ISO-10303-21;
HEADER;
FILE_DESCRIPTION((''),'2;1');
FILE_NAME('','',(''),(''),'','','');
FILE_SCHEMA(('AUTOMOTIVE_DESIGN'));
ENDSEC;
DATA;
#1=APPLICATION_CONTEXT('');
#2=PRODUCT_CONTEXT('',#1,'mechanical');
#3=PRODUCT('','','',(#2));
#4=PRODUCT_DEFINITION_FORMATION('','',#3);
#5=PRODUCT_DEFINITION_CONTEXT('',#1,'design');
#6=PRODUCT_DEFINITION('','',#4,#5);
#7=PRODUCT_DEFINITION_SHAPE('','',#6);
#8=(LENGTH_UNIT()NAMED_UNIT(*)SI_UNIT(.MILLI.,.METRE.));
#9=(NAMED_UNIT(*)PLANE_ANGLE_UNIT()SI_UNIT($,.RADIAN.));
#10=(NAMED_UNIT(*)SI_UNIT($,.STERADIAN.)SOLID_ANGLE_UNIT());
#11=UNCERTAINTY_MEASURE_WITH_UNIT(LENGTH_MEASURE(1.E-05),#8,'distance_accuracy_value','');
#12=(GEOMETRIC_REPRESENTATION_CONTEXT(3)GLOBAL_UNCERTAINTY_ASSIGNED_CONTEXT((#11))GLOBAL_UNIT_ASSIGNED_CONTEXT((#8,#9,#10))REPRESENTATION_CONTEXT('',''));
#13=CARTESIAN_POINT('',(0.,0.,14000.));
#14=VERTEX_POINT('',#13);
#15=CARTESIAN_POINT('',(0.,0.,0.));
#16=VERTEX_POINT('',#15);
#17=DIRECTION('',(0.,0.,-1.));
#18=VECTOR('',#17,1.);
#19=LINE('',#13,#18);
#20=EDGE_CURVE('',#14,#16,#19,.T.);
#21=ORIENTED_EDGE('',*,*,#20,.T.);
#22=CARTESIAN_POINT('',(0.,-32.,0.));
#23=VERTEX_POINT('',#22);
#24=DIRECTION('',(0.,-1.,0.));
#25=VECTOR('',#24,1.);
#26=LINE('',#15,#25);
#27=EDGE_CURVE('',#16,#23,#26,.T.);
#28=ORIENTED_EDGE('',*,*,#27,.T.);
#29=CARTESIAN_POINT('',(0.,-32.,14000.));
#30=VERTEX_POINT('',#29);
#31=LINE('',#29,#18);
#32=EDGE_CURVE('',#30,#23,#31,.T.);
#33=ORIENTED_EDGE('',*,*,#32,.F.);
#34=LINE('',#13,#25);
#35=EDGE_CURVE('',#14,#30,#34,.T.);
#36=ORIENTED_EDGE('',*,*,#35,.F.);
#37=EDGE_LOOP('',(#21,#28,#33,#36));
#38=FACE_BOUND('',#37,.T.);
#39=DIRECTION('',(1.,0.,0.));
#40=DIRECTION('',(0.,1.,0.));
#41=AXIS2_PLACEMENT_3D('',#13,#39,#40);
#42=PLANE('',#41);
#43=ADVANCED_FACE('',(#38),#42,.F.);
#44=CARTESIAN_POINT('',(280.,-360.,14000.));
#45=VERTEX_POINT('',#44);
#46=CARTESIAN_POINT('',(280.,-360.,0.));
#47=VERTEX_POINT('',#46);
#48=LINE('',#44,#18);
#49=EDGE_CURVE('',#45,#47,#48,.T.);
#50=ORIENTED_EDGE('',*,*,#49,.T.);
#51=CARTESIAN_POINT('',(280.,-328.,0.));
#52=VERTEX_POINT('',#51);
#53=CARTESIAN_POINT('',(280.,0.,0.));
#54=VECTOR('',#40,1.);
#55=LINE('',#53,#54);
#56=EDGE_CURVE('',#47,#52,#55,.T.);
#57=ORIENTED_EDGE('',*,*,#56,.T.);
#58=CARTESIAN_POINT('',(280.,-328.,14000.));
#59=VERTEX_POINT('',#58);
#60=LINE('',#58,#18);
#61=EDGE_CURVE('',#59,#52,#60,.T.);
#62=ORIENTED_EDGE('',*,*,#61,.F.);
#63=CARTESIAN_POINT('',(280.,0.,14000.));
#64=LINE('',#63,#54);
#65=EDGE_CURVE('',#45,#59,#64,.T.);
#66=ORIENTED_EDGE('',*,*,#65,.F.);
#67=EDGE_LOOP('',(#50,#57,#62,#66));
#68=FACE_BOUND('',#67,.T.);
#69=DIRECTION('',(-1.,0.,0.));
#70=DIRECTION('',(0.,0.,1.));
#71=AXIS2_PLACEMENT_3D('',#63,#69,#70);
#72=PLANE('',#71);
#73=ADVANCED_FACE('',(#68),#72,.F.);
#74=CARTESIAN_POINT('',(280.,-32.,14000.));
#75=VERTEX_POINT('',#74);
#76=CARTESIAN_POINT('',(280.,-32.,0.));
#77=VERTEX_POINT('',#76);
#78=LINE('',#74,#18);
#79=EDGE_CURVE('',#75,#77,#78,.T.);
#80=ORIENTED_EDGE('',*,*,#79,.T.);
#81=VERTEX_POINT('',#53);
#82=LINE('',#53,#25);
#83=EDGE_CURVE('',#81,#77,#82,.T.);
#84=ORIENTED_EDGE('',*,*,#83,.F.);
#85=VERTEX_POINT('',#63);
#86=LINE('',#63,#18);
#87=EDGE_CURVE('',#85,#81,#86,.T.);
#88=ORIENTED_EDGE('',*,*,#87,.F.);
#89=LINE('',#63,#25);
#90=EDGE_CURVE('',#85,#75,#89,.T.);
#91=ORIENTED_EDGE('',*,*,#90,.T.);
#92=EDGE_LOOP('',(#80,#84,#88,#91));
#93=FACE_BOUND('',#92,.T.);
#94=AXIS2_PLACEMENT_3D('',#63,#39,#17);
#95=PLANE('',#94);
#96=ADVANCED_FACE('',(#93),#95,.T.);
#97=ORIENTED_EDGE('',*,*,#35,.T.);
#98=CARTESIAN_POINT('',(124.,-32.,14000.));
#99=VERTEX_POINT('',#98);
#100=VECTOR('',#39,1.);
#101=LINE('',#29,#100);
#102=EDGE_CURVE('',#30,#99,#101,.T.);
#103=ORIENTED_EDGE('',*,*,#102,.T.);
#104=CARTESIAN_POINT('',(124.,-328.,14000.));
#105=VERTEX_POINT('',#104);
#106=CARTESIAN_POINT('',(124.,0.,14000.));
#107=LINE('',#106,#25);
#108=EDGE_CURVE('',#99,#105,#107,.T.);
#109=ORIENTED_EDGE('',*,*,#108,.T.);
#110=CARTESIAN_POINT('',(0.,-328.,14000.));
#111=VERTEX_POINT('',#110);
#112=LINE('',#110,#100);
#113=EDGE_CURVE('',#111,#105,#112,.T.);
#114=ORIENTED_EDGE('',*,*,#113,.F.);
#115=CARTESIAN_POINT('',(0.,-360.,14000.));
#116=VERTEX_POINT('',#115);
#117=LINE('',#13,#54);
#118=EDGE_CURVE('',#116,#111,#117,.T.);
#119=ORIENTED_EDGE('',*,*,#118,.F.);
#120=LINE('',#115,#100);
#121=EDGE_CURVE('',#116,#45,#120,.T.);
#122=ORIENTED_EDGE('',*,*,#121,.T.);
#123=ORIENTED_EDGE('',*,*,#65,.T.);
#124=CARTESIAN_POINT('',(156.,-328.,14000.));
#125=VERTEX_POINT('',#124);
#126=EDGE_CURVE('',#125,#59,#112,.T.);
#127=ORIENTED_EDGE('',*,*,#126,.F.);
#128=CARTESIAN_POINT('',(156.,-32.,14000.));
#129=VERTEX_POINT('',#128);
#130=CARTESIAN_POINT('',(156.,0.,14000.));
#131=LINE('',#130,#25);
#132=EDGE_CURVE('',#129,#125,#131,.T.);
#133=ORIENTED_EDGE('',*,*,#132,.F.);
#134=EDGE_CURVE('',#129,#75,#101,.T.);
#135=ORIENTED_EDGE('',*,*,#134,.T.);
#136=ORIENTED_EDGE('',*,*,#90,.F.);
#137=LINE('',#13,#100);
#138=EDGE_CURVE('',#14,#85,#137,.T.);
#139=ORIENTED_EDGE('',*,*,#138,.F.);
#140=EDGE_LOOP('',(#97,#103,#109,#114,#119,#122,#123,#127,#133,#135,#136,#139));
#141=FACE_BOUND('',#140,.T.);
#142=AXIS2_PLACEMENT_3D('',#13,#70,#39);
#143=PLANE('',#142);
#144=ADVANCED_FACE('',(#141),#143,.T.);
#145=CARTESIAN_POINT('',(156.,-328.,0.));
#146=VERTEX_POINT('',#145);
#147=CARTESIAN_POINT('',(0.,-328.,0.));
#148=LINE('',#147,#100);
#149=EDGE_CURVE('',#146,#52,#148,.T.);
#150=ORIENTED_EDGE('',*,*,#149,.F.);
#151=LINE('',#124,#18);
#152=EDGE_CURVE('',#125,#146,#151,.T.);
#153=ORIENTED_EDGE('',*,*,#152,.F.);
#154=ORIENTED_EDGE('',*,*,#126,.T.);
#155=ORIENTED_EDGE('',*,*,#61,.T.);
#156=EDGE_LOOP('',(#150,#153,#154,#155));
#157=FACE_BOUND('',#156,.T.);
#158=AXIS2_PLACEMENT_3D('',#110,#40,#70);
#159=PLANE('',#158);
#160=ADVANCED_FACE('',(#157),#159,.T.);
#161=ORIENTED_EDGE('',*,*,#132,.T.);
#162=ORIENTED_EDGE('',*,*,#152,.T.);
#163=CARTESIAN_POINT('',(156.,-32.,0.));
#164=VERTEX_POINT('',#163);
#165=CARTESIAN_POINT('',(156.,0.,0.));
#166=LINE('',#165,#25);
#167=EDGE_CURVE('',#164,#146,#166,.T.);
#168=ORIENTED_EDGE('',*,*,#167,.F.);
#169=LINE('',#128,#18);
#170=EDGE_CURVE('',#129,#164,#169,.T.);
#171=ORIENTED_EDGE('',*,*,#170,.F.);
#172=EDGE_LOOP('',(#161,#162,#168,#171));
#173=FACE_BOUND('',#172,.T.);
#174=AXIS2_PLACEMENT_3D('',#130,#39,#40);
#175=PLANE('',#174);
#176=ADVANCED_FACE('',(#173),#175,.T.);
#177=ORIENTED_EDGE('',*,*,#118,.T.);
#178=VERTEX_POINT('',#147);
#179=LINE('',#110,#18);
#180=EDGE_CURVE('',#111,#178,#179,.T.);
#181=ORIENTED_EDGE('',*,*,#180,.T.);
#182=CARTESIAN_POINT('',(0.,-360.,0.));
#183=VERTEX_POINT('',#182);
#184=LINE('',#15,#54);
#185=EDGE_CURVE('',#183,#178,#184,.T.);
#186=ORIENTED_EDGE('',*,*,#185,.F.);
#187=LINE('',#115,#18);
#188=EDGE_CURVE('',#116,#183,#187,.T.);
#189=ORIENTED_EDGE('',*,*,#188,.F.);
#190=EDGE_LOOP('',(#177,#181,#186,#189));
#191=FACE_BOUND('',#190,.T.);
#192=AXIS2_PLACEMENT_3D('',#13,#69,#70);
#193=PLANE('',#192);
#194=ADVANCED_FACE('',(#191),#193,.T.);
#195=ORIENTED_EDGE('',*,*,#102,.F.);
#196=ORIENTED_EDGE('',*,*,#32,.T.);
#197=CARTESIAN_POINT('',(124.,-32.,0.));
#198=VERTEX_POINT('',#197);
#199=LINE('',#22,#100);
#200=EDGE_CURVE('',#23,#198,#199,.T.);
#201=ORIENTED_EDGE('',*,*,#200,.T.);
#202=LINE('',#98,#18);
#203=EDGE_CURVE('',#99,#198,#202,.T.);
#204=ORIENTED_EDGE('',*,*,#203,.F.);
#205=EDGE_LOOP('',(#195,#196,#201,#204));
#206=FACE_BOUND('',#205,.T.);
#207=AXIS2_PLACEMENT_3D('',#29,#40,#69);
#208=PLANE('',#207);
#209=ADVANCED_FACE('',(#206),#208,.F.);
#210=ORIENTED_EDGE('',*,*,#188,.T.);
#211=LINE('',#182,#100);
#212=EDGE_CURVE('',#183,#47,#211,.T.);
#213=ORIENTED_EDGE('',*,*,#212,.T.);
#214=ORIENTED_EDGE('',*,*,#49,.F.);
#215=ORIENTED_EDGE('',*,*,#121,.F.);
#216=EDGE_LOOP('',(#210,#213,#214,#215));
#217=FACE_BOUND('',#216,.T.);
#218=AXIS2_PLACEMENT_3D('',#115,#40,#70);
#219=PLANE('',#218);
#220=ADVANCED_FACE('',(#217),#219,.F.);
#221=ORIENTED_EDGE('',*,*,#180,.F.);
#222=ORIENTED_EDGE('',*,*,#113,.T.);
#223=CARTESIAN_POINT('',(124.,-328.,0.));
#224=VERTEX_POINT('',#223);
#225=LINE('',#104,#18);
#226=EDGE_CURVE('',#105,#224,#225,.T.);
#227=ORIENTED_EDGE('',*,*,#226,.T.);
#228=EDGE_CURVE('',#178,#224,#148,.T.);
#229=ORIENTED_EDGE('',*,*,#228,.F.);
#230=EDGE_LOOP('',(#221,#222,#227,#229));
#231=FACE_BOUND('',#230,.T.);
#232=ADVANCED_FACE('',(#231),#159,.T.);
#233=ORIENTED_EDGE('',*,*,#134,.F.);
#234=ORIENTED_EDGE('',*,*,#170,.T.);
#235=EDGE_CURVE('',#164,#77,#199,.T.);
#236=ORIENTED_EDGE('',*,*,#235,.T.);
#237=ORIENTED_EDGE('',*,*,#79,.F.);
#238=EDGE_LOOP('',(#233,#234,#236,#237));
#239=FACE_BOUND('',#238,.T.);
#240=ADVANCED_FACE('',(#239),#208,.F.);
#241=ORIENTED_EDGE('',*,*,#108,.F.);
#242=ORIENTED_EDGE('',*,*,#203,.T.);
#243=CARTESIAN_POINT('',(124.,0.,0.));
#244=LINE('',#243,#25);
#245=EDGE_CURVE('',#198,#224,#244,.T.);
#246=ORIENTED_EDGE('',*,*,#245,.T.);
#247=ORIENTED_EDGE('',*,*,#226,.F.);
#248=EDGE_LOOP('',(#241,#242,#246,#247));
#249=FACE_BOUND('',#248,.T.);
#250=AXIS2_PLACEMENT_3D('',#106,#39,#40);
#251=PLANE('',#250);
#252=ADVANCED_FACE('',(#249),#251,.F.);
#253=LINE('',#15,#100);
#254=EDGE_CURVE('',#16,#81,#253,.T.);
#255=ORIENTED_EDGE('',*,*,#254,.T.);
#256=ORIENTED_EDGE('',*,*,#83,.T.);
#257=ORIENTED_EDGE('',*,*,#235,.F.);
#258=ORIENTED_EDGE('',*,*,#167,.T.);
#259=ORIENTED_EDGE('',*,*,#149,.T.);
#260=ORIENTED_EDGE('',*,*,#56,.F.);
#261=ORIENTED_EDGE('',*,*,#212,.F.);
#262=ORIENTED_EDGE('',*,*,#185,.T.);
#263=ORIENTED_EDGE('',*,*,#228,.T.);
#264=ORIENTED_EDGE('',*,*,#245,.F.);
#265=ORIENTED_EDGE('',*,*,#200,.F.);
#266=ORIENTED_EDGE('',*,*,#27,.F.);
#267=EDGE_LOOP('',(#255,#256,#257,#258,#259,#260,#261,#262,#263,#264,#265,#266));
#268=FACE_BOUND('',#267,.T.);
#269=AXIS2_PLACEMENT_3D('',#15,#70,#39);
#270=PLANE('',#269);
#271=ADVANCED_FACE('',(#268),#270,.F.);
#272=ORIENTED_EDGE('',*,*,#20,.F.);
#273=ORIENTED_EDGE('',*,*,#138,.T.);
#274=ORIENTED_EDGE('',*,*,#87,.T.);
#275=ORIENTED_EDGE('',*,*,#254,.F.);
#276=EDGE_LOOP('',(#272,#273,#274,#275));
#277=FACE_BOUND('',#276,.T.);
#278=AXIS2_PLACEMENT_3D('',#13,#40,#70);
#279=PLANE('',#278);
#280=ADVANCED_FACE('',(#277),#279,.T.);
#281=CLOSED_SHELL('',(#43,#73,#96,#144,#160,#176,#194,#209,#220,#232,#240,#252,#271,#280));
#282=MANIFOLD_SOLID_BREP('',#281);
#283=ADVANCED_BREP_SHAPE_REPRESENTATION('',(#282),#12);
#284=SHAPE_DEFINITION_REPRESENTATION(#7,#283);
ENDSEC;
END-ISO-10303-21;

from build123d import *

# Parameters (mm, degrees)
BOSS_EXTRUDE1_DEPTH = 14000


with BuildPart() as part:
    # Sketch1 → Boss-Extrude1 (new body)
    with BuildSketch(Plane.XY):
        Polygon((156, -328), (280, -328), (280, -360), (0, -360), (0, -328), (124, -328), (124, -32), (0, -32), (0, 0), (280, 0), (280, -32), (156, -32), align=None)
    extrude(amount=BOSS_EXTRUDE1_DEPTH)


solid = part.part
